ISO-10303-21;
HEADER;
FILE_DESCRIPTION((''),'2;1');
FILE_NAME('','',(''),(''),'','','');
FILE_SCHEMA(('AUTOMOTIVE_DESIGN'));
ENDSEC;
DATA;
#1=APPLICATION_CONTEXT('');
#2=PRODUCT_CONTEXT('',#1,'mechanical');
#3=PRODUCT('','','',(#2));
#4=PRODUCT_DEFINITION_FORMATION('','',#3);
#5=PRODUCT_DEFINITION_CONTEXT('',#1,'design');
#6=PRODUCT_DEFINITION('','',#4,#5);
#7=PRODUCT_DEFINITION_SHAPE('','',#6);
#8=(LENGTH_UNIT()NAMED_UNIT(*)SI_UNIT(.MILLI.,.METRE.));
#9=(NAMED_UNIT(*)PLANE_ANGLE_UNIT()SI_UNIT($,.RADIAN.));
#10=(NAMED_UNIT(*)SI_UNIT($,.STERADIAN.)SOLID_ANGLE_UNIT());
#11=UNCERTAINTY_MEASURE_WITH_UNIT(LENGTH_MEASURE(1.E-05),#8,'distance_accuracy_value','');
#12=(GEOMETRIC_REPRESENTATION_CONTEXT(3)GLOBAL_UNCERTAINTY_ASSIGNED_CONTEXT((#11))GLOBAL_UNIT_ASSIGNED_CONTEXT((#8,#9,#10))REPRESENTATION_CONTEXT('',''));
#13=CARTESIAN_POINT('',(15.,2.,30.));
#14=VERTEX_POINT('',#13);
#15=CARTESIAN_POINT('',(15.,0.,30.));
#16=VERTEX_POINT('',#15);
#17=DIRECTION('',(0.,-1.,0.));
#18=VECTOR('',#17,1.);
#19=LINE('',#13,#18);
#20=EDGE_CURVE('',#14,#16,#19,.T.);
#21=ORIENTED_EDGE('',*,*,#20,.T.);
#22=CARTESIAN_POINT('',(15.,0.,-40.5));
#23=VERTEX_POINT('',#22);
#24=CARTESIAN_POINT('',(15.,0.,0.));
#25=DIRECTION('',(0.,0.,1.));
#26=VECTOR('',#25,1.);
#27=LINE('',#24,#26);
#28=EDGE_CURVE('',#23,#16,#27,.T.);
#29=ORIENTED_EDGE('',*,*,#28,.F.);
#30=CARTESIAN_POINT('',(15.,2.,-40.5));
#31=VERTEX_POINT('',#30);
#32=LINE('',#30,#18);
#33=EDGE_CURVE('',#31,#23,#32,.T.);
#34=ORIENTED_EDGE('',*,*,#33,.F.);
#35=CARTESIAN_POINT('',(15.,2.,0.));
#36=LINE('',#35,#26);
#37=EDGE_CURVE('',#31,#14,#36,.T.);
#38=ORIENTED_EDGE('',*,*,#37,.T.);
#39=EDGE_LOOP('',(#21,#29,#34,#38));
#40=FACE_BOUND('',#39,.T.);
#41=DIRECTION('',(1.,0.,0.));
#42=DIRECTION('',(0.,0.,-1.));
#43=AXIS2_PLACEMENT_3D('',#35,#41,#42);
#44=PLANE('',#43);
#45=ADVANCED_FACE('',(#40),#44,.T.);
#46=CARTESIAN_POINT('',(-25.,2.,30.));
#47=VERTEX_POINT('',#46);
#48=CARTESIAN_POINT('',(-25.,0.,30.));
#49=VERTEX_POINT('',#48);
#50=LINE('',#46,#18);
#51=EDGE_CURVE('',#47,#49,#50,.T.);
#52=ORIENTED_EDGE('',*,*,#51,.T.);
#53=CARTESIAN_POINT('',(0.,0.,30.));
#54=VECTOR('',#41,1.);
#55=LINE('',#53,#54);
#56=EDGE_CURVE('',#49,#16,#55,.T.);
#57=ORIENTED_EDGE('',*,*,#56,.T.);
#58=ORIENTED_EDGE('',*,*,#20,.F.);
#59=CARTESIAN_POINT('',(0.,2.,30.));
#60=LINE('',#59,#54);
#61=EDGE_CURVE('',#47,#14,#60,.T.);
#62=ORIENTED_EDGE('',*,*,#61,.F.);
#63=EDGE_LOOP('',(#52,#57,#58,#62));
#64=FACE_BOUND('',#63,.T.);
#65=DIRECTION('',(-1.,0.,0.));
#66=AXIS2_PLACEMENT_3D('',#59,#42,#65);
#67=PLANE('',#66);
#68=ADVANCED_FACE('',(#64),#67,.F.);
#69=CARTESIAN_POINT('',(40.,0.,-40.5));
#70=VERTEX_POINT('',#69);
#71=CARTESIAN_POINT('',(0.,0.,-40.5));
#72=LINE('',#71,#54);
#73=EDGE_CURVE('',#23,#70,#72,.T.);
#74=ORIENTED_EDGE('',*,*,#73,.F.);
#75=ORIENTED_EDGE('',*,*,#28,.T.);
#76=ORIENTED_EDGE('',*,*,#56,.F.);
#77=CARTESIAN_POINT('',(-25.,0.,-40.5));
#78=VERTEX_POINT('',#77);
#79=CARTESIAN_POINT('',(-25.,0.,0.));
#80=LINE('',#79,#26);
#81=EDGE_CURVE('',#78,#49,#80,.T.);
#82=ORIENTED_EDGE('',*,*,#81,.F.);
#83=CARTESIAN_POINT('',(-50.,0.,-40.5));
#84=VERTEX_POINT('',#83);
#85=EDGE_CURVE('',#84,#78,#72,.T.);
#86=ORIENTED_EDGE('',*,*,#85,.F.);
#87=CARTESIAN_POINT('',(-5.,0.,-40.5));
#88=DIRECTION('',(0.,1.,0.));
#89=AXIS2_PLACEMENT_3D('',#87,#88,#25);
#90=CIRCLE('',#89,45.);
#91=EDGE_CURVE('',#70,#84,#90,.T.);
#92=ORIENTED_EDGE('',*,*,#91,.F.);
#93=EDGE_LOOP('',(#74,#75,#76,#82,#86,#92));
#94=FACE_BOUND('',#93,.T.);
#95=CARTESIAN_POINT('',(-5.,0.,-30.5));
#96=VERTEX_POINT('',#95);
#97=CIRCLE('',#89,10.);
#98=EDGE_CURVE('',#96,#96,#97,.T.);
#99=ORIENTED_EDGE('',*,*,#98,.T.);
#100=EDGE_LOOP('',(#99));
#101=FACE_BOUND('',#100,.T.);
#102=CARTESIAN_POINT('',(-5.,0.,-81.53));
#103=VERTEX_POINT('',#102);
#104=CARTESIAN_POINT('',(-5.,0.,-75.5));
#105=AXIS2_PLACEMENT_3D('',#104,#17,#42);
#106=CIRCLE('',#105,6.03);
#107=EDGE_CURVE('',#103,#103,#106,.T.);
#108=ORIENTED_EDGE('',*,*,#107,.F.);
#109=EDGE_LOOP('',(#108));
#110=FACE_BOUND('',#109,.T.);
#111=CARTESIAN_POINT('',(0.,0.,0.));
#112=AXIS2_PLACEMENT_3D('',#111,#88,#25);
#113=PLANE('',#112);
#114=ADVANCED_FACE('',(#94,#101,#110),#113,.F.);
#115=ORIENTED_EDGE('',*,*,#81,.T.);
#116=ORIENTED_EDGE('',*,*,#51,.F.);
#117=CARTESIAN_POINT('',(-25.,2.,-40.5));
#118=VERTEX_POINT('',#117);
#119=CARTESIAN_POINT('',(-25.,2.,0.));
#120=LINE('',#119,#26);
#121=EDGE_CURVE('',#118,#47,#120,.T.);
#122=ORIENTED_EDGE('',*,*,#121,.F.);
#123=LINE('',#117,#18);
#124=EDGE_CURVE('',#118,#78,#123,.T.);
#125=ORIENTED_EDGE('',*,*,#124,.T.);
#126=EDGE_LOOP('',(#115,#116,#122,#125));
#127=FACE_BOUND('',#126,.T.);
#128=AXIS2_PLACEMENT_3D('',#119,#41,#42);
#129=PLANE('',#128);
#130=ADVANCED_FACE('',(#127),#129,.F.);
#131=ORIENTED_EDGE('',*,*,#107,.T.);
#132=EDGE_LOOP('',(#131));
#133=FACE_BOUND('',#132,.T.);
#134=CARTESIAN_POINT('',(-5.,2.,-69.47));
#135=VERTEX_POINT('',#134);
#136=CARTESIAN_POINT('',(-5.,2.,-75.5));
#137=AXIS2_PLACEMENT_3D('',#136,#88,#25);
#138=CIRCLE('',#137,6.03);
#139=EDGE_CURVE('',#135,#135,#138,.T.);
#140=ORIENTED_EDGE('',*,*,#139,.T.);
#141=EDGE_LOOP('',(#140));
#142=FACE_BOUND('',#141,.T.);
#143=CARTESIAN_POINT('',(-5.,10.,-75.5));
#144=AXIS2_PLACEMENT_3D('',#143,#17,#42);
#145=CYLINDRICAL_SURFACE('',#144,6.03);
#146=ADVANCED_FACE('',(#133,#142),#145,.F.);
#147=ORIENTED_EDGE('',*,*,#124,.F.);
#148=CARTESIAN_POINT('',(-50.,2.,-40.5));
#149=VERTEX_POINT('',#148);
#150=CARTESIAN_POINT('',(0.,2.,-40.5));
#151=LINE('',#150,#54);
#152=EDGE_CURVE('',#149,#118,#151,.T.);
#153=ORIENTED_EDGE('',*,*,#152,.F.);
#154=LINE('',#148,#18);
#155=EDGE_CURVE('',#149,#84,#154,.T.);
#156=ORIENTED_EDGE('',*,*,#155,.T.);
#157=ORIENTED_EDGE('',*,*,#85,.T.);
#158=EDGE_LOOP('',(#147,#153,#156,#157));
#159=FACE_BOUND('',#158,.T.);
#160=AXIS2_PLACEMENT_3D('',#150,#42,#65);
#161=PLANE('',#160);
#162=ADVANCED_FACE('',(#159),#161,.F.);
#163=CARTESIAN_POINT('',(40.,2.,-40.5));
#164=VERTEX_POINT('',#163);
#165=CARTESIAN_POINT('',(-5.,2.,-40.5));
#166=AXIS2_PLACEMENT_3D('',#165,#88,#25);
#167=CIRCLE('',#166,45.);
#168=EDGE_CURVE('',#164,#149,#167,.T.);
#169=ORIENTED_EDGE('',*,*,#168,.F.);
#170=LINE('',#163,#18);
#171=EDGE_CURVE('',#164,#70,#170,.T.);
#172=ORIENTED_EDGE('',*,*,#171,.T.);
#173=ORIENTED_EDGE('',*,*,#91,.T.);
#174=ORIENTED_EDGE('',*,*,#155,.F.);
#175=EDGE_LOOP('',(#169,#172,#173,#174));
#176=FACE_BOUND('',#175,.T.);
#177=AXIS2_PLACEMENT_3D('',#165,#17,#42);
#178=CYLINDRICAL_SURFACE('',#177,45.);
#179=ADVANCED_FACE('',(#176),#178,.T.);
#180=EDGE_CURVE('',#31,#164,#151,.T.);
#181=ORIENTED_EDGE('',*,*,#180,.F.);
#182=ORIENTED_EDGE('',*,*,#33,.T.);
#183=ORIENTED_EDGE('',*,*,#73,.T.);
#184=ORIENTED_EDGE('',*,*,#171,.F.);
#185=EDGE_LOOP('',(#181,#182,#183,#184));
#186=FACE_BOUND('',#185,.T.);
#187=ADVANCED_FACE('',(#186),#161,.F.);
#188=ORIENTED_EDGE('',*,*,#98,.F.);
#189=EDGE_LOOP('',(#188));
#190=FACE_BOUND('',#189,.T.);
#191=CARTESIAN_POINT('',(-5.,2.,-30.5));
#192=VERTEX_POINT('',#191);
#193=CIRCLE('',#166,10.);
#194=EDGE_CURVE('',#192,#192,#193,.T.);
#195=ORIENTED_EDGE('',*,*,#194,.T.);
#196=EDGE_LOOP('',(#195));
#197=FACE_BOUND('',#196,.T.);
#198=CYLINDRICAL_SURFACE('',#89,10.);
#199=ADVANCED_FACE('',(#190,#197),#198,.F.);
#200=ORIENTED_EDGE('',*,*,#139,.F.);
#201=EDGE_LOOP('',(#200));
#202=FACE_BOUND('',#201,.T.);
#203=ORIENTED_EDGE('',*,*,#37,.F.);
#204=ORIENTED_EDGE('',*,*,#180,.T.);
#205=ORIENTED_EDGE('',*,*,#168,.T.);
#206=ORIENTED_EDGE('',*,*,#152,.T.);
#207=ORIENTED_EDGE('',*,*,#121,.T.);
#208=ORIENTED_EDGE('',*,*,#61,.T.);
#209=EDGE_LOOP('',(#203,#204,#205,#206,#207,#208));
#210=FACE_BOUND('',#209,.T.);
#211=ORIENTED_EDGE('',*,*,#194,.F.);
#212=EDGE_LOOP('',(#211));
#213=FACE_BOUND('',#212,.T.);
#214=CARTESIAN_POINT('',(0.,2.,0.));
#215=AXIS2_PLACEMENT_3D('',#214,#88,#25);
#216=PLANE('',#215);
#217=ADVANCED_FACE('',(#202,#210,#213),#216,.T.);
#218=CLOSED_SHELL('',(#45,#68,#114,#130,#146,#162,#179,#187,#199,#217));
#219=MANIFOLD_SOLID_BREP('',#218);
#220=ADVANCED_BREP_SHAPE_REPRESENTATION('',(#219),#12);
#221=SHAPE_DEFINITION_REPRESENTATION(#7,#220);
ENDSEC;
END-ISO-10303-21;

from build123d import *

# Parameters (mm, degrees)
ESQUISSE1_W             = 40
ESQUISSE1_H             = 70.5
BOSS_EXTRU_1_DEPTH      = 2
ESQUISSE2_R             = 10
ENL_V_MAT_EXTRU_1_DEPTH = 2
ESQUISSE3_R             = 6.03
ENL_V_MAT_EXTRU_2_DEPTH = 10


with BuildPart() as part:
    # Esquisse1 → Boss.-Extru.1 (new body)
    with BuildSketch(Plane(origin=(0, 0, 0), x_dir=(1, 0, 0), z_dir=(0, 1, 0))):
        with Locations((-5, 5.25)):
            Rectangle(ESQUISSE1_W, ESQUISSE1_H)
        with BuildLine():
            Line((-50, 40.5), (40, 40.5))
            ThreePointArc((40, 40.5), (-5, 85.5), (-50, 40.5))
        make_face()
    extrude(amount=BOSS_EXTRU_1_DEPTH)

    # Esquisse2 → Enlèv. mat.-Extru.1 (cut)
    with BuildSketch(Plane(origin=(0, 2, 0), x_dir=(1, 0, 0), z_dir=(0, 1, 0))):
        with Locations((-5, 40.5)):
            Circle(ESQUISSE2_R)
    extrude(amount=-ENL_V_MAT_EXTRU_1_DEPTH, mode=Mode.SUBTRACT)

    # Esquisse3 → Enlèv. mat.-Extru.2 (cut)
    with BuildSketch(Plane(origin=(0, 0, 0), x_dir=(-1, 0, 0), z_dir=(0, -1, 0))):
        with Locations((5, 75.5)):
            Circle(ESQUISSE3_R)
    extrude(amount=-ENL_V_MAT_EXTRU_2_DEPTH, mode=Mode.SUBTRACT)


solid = part.part
